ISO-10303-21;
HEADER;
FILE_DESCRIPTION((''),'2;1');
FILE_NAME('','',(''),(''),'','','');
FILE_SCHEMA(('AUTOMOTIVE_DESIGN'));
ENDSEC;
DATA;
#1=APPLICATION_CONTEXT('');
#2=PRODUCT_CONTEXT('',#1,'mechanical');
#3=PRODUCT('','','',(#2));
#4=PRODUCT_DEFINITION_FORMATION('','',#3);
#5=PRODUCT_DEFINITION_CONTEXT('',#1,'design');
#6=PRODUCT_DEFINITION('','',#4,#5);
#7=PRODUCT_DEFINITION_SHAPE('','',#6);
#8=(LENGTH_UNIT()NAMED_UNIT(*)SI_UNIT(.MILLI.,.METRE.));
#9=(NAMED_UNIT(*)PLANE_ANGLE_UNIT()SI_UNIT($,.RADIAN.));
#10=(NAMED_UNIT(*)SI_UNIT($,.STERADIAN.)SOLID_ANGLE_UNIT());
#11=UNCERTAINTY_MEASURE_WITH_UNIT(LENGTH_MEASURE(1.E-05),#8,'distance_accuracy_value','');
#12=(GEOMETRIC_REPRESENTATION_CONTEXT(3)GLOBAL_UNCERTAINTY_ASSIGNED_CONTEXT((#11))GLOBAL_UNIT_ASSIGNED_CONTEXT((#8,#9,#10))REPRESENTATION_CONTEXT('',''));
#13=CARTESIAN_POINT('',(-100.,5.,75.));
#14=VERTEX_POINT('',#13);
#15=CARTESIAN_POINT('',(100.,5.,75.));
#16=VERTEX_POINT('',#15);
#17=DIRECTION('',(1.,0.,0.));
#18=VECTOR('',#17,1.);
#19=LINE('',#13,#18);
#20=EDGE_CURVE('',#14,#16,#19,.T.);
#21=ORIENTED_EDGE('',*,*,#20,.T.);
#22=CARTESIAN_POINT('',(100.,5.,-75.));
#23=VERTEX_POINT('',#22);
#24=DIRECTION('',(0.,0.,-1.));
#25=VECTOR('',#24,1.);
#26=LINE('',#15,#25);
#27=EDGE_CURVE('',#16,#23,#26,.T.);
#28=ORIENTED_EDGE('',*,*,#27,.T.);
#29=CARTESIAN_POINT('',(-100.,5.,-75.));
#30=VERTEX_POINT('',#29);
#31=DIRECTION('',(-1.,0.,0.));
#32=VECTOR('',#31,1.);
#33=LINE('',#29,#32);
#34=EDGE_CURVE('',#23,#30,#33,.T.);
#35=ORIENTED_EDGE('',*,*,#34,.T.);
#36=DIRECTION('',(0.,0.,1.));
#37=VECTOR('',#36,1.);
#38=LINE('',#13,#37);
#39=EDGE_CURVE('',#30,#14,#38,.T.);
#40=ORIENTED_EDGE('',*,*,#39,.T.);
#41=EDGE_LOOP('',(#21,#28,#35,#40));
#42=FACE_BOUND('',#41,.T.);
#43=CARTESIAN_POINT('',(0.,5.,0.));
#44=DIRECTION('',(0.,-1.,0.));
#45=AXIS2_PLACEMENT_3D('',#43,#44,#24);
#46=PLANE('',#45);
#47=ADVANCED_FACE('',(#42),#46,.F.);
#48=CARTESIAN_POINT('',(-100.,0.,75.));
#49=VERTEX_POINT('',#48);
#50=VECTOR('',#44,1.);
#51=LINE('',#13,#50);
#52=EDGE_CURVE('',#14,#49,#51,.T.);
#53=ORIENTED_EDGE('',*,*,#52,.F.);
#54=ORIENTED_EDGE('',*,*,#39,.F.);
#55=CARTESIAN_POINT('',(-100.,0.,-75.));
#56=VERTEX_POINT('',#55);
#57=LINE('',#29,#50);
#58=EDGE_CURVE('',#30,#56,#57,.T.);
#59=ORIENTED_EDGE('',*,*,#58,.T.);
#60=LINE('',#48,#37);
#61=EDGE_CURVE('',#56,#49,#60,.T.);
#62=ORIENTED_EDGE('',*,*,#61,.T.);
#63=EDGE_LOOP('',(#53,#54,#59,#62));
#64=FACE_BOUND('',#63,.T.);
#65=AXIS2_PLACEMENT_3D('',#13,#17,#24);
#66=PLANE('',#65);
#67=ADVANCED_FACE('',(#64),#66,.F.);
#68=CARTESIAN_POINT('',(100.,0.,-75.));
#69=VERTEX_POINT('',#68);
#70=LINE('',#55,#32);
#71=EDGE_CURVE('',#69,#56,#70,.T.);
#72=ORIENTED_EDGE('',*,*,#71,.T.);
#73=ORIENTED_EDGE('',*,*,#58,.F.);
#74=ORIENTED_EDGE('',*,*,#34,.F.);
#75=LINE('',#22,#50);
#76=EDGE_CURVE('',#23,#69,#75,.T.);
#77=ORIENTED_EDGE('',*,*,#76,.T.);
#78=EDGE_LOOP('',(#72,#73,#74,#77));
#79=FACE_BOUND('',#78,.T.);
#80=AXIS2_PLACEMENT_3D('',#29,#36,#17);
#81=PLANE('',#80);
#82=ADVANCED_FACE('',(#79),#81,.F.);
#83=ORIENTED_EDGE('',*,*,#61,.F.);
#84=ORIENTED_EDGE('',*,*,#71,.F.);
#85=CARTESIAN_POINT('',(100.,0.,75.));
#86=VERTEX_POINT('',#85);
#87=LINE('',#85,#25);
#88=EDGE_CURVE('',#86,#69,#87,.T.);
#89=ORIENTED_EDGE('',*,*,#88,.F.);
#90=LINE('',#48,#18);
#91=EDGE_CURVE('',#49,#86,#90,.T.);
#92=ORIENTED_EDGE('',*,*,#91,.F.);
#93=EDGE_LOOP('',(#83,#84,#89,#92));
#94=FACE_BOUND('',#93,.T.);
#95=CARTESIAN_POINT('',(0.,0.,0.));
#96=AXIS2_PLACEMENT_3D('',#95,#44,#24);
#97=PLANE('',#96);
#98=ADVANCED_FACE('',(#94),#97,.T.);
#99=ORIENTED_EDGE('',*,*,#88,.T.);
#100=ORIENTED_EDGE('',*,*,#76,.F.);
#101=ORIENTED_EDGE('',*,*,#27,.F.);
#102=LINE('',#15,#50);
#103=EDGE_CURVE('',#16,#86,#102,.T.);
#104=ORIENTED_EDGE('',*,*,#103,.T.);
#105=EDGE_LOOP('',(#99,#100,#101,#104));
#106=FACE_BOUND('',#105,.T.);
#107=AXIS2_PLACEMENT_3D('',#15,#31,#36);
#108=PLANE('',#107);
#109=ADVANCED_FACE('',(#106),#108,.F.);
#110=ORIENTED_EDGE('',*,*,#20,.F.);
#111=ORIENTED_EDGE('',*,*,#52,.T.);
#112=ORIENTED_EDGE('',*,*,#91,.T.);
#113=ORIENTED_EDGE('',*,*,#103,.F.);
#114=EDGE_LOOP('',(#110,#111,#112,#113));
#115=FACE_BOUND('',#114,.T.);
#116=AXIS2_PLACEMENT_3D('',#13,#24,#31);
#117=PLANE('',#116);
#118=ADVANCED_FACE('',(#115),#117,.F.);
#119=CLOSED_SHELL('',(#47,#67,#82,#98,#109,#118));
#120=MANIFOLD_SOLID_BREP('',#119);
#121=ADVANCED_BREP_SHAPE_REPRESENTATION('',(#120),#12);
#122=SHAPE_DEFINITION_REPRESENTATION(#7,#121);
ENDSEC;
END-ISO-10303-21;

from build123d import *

# Parameters (mm, degrees)
SKETCH_1_W      = 200
SKETCH_1_H      = 150
EXTRUDE_1_DEPTH = 5


with BuildPart() as part:
    # 스케치1 → 보스-돌출1 (new body)
    with BuildSketch(Plane(origin=(0, 0, 0), x_dir=(1, 0, 0), z_dir=(0, 1, 0))):
        Rectangle(SKETCH_1_W, SKETCH_1_H)
    extrude(amount=EXTRUDE_1_DEPTH)


solid = part.part
